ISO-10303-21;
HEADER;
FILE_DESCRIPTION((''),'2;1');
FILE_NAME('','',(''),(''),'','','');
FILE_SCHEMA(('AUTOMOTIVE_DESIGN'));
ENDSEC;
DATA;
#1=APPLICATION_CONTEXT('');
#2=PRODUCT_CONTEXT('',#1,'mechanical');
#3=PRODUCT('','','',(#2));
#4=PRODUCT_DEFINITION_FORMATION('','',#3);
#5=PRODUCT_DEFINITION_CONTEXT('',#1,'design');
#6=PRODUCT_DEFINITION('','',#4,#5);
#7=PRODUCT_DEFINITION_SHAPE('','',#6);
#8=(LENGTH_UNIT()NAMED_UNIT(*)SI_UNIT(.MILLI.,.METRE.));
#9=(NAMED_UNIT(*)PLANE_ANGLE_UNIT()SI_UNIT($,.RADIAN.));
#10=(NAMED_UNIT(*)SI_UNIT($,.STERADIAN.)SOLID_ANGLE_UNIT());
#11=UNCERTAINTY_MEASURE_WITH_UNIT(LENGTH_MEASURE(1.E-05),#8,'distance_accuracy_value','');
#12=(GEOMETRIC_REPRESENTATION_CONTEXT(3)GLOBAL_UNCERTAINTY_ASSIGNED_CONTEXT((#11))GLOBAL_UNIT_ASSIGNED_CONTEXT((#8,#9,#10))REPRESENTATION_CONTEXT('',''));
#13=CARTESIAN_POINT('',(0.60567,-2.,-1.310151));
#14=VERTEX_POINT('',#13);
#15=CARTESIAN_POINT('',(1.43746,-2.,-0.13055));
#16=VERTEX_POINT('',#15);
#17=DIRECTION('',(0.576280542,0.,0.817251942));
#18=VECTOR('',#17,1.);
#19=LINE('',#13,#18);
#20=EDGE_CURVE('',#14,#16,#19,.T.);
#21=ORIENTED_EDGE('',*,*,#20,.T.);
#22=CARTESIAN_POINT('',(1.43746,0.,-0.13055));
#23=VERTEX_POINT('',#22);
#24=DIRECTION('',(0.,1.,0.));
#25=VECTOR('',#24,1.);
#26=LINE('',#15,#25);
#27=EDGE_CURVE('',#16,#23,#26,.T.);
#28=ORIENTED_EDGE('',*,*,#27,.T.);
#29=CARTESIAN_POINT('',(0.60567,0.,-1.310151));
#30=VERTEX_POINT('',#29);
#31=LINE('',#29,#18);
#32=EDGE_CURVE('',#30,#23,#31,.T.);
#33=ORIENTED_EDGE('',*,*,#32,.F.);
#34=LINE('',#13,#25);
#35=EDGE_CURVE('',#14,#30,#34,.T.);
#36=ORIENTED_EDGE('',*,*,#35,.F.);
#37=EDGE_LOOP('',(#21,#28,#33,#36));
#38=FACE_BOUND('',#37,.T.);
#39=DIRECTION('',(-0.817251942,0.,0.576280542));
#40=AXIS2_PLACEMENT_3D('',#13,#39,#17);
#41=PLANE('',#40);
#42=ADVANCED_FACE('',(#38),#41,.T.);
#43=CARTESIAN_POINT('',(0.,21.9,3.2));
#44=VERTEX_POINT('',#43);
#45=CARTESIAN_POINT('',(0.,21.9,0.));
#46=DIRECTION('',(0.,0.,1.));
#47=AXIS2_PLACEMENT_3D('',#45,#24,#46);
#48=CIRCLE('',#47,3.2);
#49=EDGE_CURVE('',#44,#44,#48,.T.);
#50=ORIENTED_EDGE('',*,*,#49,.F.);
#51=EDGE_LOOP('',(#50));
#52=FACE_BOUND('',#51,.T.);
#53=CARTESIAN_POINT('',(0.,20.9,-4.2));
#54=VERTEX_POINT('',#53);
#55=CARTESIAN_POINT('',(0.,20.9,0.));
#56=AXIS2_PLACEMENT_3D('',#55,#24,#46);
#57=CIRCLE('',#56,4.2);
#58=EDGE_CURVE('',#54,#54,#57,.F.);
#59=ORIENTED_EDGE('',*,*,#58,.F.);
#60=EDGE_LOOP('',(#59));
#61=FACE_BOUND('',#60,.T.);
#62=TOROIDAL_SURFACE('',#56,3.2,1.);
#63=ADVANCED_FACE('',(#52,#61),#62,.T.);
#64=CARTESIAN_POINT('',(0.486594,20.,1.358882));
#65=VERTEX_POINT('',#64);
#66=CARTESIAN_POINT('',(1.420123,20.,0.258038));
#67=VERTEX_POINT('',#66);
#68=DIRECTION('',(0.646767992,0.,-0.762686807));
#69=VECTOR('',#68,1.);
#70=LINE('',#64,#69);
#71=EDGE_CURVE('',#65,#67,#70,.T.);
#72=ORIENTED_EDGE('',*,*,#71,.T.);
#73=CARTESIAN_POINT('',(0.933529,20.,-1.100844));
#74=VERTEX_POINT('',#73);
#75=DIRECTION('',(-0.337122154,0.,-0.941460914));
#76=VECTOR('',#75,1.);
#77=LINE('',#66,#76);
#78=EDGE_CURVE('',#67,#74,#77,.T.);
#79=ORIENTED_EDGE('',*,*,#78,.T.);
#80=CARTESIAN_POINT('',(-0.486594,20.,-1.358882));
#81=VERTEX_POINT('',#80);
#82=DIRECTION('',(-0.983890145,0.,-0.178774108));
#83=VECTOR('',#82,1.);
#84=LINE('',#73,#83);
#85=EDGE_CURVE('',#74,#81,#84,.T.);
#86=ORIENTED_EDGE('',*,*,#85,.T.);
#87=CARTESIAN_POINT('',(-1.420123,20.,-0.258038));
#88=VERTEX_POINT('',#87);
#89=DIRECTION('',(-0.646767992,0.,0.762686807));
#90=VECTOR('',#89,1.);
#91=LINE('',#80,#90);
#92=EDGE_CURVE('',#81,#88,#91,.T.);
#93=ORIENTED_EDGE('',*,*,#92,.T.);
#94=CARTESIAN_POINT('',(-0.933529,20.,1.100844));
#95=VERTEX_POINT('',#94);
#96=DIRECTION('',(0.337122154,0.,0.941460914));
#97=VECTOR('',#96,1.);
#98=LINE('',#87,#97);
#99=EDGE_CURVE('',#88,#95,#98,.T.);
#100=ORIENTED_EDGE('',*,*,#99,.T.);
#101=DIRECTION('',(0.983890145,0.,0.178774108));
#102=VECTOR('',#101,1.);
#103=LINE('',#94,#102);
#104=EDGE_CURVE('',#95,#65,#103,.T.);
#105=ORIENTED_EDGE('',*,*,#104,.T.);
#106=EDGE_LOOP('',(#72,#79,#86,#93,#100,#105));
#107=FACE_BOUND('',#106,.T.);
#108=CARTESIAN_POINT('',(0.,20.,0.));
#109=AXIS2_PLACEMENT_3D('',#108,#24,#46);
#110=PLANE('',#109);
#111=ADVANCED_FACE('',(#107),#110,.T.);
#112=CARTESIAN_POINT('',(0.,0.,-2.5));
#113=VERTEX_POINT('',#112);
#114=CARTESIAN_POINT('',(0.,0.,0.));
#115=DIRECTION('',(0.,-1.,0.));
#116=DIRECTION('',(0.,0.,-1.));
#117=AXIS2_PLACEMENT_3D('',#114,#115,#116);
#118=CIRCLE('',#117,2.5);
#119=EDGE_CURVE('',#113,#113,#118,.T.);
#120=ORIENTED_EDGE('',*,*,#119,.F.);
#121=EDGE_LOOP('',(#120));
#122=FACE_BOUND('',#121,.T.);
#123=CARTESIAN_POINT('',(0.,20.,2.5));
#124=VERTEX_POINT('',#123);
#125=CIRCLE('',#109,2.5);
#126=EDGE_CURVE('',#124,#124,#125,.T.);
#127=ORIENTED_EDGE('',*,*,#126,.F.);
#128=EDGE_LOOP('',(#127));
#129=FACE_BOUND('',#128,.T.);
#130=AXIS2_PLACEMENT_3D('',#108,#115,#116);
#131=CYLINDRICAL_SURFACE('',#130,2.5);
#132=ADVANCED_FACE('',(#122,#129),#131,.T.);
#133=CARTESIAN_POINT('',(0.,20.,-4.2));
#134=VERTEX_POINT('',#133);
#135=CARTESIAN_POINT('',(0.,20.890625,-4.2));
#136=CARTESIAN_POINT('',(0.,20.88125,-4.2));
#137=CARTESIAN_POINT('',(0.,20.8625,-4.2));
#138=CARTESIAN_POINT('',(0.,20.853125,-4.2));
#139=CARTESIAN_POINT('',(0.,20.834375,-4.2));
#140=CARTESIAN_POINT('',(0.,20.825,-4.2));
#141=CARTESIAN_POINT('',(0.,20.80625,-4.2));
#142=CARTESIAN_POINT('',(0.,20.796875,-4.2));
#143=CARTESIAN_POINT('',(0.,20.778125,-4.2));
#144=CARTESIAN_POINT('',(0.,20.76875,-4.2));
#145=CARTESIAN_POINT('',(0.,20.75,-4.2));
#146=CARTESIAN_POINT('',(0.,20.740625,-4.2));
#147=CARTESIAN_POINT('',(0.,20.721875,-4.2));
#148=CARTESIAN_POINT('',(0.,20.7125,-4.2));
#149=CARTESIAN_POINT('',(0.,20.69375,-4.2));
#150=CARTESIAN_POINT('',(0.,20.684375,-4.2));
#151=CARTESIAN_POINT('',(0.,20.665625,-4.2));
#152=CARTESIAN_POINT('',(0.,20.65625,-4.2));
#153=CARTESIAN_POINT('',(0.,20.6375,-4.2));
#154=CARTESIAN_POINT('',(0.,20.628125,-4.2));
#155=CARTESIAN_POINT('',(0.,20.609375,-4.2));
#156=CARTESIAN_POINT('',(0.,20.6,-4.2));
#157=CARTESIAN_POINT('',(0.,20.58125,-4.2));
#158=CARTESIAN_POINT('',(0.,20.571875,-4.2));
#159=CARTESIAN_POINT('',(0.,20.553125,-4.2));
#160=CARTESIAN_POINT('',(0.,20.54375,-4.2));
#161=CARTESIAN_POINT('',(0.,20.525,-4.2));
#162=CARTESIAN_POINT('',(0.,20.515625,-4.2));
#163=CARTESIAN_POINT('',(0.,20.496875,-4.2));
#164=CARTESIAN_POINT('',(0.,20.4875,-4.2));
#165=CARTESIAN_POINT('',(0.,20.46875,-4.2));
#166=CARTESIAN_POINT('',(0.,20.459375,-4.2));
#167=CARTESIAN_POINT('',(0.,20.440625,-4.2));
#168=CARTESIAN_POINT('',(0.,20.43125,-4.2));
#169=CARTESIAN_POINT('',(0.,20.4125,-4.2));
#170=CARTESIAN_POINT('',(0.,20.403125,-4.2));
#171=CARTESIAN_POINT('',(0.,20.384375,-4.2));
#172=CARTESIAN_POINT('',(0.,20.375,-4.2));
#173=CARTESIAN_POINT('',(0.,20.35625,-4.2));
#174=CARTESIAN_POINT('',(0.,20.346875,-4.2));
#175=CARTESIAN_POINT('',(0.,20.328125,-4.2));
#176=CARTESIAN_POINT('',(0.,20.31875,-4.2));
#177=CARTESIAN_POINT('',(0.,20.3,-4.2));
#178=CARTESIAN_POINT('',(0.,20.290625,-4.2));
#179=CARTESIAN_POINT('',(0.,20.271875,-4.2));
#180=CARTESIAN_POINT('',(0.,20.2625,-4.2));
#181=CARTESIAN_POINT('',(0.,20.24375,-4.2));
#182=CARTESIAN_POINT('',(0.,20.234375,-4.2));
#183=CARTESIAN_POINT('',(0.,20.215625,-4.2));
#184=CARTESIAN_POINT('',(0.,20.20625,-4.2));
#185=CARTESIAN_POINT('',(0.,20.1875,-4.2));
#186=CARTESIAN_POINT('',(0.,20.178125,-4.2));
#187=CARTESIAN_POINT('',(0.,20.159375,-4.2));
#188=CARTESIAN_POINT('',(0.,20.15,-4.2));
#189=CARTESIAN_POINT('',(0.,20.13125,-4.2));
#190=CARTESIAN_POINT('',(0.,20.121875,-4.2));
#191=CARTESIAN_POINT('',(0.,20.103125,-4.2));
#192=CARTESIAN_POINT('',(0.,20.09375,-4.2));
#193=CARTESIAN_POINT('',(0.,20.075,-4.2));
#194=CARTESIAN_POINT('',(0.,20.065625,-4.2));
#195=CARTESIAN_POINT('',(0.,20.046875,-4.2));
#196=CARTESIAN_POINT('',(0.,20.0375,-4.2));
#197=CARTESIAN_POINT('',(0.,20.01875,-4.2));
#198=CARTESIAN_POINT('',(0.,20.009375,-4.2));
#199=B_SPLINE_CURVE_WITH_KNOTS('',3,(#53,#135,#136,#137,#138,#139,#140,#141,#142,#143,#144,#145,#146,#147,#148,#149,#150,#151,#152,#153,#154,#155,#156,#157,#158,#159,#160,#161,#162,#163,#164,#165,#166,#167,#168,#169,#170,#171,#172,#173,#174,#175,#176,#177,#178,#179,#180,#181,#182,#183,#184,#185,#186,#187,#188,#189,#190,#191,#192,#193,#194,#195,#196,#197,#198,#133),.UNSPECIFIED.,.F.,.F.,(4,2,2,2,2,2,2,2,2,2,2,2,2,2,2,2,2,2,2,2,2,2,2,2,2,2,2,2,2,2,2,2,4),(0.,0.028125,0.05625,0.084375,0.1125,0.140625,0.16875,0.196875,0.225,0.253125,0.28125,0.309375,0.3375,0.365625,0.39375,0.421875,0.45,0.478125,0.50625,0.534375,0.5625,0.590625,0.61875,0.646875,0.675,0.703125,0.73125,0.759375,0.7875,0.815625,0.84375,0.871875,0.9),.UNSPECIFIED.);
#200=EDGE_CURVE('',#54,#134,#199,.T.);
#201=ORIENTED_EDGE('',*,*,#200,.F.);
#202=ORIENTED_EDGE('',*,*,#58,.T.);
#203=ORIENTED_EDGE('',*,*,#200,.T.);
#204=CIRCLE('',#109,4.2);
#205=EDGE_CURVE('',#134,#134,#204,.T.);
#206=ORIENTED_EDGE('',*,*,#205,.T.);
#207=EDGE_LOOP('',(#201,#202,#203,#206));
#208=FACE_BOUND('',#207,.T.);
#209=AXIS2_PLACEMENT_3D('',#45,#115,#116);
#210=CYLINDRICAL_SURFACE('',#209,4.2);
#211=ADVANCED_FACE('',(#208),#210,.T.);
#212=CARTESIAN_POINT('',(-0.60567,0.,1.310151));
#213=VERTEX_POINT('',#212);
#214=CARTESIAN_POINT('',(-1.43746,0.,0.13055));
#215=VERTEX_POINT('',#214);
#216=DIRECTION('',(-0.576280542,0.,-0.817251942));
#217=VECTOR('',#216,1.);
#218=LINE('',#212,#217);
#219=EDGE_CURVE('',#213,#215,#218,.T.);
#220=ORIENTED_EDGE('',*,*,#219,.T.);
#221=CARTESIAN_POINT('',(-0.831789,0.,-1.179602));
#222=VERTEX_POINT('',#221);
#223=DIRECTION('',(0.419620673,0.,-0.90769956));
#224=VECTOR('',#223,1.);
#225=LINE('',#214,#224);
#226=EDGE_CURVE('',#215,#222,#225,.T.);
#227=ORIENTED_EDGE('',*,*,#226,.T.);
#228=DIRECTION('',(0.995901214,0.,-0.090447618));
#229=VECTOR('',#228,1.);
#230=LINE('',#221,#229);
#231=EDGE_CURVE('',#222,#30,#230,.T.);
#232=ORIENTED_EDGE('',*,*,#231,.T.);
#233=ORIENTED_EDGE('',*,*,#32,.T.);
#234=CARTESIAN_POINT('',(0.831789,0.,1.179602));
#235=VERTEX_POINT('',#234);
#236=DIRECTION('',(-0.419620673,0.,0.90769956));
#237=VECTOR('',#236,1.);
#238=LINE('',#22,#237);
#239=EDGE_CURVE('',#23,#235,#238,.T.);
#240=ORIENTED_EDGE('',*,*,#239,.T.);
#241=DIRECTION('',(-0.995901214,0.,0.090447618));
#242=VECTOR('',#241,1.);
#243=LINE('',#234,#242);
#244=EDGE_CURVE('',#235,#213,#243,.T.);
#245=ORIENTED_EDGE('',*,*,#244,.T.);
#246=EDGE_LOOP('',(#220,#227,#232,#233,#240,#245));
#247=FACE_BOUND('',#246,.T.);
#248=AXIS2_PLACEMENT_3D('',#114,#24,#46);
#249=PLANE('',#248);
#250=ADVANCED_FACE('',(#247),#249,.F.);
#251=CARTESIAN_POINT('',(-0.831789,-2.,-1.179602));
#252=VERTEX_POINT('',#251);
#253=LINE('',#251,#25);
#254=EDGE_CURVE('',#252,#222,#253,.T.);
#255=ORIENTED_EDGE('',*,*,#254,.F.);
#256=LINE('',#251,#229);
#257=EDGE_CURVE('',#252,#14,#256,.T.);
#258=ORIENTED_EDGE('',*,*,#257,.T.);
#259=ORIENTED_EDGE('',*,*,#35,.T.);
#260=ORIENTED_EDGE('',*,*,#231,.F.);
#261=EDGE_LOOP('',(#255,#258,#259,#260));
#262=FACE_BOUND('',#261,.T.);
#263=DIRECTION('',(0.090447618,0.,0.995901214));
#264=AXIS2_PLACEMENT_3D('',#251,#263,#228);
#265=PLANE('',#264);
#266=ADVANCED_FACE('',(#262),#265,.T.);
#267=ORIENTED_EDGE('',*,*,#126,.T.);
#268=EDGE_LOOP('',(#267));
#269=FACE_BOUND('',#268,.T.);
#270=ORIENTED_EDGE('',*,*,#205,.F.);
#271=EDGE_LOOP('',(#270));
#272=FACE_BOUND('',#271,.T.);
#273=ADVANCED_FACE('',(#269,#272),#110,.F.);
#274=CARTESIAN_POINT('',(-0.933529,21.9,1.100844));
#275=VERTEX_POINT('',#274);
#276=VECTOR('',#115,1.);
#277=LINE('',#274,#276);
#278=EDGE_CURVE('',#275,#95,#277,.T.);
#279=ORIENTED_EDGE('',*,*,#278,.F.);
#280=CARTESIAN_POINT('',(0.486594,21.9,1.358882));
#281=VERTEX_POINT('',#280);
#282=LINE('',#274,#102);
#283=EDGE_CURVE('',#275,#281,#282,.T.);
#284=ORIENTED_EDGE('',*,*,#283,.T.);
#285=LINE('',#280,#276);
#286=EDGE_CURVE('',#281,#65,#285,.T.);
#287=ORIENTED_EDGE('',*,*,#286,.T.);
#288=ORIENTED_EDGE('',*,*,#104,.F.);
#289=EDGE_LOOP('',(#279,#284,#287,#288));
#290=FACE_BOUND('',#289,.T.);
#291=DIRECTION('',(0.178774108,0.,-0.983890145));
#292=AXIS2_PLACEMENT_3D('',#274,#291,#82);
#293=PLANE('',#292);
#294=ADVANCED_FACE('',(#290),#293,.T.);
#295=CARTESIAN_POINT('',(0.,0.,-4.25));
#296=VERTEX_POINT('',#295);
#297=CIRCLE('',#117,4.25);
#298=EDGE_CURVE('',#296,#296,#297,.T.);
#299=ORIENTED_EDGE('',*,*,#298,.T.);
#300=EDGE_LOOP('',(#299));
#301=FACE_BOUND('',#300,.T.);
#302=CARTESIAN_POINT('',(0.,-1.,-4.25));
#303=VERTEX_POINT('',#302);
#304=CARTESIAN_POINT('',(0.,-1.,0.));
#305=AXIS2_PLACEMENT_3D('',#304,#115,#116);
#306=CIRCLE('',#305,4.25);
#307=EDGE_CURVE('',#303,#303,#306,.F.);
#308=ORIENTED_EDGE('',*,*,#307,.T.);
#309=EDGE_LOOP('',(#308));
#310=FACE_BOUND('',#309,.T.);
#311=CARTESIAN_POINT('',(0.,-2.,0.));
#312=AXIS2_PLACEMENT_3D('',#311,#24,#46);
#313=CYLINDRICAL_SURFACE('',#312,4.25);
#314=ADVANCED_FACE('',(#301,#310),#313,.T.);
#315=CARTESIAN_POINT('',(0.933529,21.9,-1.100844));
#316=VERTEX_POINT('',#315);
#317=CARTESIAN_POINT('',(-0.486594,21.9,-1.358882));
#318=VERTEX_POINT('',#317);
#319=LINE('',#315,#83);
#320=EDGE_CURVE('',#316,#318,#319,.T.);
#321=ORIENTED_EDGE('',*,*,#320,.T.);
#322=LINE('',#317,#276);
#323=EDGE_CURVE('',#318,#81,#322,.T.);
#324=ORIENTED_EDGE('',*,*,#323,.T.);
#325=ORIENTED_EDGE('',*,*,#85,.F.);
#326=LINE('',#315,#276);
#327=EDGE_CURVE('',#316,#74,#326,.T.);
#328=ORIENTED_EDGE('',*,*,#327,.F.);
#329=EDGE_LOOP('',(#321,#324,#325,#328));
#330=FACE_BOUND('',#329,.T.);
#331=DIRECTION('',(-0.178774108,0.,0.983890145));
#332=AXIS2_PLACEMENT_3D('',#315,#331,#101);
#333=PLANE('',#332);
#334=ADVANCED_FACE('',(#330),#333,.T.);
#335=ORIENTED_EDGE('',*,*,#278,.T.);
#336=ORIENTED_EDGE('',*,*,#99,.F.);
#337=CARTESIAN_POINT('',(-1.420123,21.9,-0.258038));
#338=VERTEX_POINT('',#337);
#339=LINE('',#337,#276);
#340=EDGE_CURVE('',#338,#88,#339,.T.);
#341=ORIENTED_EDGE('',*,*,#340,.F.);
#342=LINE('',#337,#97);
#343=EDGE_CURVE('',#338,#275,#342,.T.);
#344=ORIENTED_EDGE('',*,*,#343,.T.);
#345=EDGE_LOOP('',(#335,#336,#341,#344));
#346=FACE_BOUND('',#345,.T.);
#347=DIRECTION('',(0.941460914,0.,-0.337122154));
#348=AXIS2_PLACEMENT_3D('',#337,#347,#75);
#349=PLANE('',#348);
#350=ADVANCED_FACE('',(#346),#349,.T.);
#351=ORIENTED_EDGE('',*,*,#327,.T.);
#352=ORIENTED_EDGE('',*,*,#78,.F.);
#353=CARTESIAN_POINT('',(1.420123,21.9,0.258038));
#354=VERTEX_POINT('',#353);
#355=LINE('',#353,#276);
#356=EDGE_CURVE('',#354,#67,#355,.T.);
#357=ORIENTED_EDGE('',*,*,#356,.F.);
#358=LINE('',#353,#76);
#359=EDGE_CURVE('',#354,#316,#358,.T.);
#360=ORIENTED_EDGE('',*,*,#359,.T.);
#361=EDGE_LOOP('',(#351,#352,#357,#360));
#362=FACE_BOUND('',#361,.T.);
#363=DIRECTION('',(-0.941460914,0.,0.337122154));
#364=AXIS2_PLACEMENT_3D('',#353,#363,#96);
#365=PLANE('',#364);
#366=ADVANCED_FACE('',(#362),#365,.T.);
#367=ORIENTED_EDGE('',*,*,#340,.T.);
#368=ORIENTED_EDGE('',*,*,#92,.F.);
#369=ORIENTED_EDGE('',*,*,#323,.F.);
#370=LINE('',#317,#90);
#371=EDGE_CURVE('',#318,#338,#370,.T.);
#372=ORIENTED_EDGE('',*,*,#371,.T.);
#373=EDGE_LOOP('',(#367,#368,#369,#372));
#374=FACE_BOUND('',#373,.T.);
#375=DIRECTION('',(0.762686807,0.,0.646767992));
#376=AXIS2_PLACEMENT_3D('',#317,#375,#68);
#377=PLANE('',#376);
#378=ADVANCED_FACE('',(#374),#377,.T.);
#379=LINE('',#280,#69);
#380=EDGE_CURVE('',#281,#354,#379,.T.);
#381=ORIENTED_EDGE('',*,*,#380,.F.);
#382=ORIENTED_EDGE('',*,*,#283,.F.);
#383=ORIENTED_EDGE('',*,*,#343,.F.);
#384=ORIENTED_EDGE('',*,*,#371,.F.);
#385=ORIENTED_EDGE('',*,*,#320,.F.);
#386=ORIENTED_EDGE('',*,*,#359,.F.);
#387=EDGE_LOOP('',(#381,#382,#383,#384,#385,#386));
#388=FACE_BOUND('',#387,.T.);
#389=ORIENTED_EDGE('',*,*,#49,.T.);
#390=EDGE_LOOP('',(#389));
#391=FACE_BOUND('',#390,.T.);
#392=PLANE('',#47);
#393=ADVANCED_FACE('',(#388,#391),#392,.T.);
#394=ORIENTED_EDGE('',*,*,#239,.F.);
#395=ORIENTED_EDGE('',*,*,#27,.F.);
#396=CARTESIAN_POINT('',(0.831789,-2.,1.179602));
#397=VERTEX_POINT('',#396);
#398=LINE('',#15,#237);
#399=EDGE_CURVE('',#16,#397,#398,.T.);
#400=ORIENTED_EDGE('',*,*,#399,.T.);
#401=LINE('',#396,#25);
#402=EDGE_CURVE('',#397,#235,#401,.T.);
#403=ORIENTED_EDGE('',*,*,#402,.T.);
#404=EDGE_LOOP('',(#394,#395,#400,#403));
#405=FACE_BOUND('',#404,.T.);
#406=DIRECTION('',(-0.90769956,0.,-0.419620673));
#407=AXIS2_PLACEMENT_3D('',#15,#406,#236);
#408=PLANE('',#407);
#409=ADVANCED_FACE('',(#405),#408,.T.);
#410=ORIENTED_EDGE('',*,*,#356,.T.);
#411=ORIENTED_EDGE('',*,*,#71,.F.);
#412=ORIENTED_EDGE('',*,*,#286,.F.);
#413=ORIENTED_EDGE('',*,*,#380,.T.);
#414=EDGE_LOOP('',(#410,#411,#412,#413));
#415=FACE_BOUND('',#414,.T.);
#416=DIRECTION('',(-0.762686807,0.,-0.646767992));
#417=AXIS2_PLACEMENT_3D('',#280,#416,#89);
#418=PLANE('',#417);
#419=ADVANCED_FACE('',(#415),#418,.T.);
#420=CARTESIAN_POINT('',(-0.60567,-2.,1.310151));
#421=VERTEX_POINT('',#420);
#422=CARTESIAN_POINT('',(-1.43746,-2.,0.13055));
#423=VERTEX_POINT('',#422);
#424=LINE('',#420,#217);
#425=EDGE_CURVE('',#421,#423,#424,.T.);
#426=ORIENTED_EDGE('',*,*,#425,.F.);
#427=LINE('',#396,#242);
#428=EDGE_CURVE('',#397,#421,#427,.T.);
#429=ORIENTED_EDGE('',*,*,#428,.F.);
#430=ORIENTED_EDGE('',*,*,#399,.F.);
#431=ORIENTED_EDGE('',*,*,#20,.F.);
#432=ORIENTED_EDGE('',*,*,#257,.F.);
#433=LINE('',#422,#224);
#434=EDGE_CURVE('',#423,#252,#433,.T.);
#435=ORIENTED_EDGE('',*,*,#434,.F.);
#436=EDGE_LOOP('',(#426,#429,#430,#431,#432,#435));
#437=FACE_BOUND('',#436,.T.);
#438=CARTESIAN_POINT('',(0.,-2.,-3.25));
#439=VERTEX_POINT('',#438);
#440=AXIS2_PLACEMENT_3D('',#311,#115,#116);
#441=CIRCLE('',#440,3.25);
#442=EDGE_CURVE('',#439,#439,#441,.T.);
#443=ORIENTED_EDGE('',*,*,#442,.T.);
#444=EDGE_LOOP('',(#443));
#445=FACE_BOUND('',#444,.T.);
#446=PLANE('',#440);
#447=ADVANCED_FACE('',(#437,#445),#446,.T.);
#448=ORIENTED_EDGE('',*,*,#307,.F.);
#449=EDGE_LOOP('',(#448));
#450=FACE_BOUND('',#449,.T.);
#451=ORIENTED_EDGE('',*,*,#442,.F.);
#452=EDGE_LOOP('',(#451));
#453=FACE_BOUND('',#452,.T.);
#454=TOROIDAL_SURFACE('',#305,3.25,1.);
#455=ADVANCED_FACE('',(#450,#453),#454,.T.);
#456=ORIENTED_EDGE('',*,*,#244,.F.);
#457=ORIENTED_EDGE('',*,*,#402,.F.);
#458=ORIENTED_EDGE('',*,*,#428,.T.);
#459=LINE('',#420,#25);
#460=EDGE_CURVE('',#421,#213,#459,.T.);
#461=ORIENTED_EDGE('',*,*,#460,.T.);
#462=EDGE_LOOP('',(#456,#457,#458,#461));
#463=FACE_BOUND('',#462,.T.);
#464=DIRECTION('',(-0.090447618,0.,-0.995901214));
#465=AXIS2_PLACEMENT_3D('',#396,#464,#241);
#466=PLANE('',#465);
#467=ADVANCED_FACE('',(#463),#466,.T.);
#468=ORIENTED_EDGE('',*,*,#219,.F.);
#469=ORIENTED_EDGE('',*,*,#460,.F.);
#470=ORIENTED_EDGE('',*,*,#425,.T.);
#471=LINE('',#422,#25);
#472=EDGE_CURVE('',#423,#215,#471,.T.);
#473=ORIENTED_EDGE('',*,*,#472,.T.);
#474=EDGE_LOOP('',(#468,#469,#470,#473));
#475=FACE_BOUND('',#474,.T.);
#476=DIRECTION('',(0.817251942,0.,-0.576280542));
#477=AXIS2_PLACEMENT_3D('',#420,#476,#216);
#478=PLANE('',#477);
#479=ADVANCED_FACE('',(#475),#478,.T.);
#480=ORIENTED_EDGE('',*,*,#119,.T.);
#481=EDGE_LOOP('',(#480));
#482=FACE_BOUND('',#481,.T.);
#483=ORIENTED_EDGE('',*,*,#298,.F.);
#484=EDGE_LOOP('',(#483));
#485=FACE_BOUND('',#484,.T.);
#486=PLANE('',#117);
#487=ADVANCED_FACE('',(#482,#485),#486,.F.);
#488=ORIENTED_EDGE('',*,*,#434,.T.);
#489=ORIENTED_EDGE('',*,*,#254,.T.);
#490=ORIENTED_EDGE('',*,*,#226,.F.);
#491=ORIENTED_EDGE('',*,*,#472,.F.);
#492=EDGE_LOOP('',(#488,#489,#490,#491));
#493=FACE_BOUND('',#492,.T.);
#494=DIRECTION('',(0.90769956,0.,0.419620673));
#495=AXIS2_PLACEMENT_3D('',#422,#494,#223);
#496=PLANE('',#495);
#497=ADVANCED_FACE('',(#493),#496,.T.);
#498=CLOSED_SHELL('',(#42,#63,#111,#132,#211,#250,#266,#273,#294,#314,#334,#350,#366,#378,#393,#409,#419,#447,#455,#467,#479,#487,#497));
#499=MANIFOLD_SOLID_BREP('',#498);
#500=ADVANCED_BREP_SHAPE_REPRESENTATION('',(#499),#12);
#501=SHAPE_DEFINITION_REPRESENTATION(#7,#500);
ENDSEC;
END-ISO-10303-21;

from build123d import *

# Parameters (mm, degrees)
SKETCH_1_R      = 2.5
EXTRUDE_1_DEPTH = 20
SKETCH_2_R      = 4.2
EXTRUDE_2_DEPTH = 1.9
SKETCH_3_R      = 4.25
EXTRUDE_3_DEPTH = 2
FILLET_1_R      = 1


with BuildPart() as part:
    # 草图1 → 凸台-拉伸1 (new body)
    with BuildSketch(Plane(origin=(0, 0, 0), x_dir=(1, 0, 0), z_dir=(0, 1, 0))):
        with Locations(Location((0, 0, 0), (0, 0, 270))):
            Circle(SKETCH_1_R)
    extrude(amount=EXTRUDE_1_DEPTH)

    # 草图2 → 凸台-拉伸2 (add)
    with BuildSketch(Plane(origin=(0, 20, 0), x_dir=(1, 0, 0), z_dir=(0, 1, 0))):
        with Locations(Location((0, 0, 0), (0, 0, 90))):
            Circle(SKETCH_2_R)
        Polygon((0.933529185, 1.100843583), (-0.486593916, 1.358881781), (-1.420123101, 0.258038198), (-0.933529185, -1.100843583), (0.486593916, -1.358881781), (1.420123101, -0.258038198), align=None, mode=Mode.SUBTRACT)
    extrude(amount=EXTRUDE_2_DEPTH)

    # 草图3 → 凸台-拉伸3 (add)
    with BuildSketch(Plane.XZ):
        with Locations(Location((0, 0, 0), (0, 0, 270))):
            Circle(SKETCH_3_R)
        Polygon((0.831789315, 1.179601572), (-0.605670271, 1.310151463), (-1.437459585, 0.130549891), (-0.831789315, -1.179601572), (0.605670271, -1.310151463), (1.437459585, -0.130549891), align=None, mode=Mode.SUBTRACT)
    extrude(amount=EXTRUDE_3_DEPTH)

    # 圆角1
    fillet_1_edges = [part.edges().sort_by_distance(p)[0] for p in [
        (0, 21.9, 4.2),
        (0, -2, 4.25),
    ]]
    fillet(fillet_1_edges, radius=FILLET_1_R)


solid = part.part
